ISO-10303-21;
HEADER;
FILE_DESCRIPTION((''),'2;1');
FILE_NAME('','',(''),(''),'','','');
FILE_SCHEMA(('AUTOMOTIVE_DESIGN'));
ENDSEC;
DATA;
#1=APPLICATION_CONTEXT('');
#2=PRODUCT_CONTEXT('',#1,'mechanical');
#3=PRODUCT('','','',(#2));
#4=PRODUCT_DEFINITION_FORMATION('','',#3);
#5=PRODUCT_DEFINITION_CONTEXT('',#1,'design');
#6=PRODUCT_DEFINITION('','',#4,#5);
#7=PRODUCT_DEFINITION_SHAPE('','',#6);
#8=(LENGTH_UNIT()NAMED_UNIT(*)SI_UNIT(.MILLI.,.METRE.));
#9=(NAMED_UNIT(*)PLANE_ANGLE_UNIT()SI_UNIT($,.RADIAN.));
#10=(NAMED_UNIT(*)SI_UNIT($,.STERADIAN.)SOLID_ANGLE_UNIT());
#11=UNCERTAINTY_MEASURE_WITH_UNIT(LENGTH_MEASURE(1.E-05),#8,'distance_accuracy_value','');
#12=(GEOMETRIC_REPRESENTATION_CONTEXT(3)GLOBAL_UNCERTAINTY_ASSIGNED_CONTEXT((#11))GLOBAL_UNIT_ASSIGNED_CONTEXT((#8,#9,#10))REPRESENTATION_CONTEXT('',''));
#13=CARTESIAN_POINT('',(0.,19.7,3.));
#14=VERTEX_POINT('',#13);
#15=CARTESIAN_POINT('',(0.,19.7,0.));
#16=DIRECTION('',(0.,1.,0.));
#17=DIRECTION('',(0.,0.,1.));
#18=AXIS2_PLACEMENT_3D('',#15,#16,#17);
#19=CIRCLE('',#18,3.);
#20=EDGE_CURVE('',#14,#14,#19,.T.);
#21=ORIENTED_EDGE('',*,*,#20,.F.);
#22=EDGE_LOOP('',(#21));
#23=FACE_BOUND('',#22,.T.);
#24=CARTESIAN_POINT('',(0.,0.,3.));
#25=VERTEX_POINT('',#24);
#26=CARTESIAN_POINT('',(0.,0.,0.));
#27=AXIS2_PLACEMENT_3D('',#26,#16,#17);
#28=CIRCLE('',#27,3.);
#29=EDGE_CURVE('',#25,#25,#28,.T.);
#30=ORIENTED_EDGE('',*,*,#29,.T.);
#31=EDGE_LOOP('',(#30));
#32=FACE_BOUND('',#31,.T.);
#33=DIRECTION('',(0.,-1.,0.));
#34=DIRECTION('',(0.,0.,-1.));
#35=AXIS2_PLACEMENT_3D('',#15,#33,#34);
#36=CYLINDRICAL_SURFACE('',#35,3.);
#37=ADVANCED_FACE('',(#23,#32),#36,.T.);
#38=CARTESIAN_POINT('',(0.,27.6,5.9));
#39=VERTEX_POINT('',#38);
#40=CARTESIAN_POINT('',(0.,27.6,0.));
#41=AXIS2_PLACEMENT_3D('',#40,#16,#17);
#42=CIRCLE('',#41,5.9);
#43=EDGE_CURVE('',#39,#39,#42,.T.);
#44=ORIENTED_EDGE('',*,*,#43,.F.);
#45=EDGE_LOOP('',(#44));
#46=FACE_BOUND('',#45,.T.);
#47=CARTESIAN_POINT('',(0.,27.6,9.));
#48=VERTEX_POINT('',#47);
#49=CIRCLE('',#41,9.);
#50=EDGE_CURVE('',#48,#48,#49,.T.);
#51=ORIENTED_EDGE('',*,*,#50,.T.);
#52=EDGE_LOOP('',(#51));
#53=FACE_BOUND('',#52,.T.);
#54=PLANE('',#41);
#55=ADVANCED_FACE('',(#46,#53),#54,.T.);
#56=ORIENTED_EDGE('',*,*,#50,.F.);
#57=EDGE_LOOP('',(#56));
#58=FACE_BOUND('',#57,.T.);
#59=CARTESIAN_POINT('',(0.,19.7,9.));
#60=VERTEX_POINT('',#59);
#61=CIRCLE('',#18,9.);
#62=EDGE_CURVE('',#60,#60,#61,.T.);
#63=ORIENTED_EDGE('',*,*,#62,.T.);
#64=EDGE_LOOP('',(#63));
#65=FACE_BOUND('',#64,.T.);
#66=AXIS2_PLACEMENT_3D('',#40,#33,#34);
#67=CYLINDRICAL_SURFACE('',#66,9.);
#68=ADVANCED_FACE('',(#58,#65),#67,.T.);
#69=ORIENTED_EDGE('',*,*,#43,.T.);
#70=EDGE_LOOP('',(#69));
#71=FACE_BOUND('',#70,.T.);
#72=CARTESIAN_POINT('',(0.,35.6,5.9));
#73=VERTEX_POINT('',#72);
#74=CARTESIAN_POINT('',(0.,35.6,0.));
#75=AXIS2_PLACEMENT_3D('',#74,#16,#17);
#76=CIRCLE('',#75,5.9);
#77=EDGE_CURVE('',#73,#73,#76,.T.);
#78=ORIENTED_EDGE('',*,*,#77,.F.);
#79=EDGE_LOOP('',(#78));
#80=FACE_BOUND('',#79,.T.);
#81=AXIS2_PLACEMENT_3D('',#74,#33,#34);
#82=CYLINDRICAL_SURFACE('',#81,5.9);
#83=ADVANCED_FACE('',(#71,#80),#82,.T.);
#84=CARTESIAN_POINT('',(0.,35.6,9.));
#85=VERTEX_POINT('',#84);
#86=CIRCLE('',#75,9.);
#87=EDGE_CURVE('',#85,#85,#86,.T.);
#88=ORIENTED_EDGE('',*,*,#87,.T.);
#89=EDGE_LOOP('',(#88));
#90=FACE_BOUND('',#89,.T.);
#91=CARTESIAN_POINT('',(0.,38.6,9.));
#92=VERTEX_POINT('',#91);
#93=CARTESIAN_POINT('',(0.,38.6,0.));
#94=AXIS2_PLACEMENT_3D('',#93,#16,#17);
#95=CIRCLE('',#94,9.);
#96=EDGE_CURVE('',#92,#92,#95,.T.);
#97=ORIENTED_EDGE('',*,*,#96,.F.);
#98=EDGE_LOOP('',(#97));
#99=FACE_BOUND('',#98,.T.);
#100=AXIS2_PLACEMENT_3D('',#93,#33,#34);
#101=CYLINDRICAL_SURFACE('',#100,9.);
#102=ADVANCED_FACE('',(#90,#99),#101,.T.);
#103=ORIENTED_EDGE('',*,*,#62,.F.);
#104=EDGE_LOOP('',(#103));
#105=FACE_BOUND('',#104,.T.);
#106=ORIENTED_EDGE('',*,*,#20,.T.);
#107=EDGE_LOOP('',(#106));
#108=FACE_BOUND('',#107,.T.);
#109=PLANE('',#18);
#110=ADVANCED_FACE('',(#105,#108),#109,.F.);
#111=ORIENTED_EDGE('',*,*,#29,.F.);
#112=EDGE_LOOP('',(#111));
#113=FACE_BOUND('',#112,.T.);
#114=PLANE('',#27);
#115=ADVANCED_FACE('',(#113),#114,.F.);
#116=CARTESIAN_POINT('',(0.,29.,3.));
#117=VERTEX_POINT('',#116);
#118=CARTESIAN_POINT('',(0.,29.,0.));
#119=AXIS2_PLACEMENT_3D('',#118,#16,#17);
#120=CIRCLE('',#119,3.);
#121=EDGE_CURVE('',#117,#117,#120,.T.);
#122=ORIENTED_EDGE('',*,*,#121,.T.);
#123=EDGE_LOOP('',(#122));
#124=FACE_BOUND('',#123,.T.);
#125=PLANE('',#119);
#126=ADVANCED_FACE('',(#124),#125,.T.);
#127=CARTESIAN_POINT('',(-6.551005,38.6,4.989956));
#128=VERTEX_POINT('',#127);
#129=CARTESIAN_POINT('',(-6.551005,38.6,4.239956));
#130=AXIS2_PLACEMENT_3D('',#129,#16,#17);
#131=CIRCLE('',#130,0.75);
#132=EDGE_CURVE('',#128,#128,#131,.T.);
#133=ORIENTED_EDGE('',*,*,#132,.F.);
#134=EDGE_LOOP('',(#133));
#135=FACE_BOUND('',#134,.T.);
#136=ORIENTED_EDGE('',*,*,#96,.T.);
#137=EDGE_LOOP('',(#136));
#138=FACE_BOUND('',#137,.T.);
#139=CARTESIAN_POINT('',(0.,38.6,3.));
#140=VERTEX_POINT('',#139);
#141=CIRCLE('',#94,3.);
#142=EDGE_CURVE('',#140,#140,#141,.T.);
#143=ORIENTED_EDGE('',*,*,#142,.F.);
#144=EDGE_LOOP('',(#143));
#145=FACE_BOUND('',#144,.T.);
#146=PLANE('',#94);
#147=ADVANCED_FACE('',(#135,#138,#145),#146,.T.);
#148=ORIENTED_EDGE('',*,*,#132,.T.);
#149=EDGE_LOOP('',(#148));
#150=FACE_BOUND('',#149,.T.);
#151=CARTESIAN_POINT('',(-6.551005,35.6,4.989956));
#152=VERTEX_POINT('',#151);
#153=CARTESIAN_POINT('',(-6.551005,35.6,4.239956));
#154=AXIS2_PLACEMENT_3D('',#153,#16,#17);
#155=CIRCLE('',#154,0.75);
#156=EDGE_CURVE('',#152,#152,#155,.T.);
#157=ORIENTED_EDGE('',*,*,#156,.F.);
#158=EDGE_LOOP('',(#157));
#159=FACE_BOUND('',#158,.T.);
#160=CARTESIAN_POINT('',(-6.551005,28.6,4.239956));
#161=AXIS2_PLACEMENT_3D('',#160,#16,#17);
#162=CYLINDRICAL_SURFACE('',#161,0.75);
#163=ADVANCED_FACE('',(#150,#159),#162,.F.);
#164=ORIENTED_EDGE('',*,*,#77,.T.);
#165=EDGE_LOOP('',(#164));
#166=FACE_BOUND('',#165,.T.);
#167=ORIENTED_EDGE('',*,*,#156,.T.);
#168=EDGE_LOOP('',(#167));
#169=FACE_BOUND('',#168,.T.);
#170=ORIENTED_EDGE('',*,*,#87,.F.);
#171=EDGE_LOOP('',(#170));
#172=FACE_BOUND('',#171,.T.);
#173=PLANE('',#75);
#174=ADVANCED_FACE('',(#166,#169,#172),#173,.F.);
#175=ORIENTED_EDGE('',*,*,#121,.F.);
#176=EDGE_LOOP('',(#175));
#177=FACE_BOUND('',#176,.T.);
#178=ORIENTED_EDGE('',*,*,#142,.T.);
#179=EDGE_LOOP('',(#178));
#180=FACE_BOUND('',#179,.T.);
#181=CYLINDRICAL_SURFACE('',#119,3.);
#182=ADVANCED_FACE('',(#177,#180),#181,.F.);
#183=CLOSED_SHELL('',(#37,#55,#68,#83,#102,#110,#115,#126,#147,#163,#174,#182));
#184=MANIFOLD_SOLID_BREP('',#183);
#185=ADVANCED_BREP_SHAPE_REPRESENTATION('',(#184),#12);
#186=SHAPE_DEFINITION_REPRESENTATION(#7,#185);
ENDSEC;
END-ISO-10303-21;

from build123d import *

# Parameters (mm, degrees)
SKETCH1_R           = 3
BOSS_EXTRUDE1_DEPTH = 19.7
SKETCH2_R           = 9
BOSS_EXTRUDE2_DEPTH = 7.9
SKETCH3_R           = 5.9
BOSS_EXTRUDE3_DEPTH = 8
SKETCH4_R           = 9
BOSS_EXTRUDE4_DEPTH = 3
SKETCH5_R           = 3
CUT_EXTRUDE1_DEPTH  = 9.6
SKETCH7_R           = 0.75
CUT_EXTRUDE2_DEPTH  = 10


with BuildPart() as part:
    # Sketch1 → Boss-Extrude1 (new body)
    with BuildSketch(Plane(origin=(0, 0, 0), x_dir=(1, 0, 0), z_dir=(0, 1, 0))):
        Circle(SKETCH1_R)
    extrude(amount=BOSS_EXTRUDE1_DEPTH)

    # Sketch2 → Boss-Extrude2 (add)
    with BuildSketch(Plane(origin=(0, 19.7, 0), x_dir=(1, 0, 0), z_dir=(0, 1, 0))):
        Circle(SKETCH2_R)
    extrude(amount=BOSS_EXTRUDE2_DEPTH)

    # Sketch3 → Boss-Extrude3 (add)
    with BuildSketch(Plane(origin=(0, 27.6, 0), x_dir=(1, 0, 0), z_dir=(0, 1, 0))):
        Circle(SKETCH3_R)
    extrude(amount=BOSS_EXTRUDE3_DEPTH)

    # Sketch4 → Boss-Extrude4 (add)
    with BuildSketch(Plane(origin=(0, 35.6, 0), x_dir=(1, 0, 0), z_dir=(0, 1, 0))):
        Circle(SKETCH4_R)
    extrude(amount=BOSS_EXTRUDE4_DEPTH)

    # Sketch5 → Cut-Extrude1 (cut)
    with BuildSketch(Plane(origin=(0, 38.6, 0), x_dir=(1, 0, 0), z_dir=(0, 1, 0))):
        Circle(SKETCH5_R)
    extrude(amount=-CUT_EXTRUDE1_DEPTH, mode=Mode.SUBTRACT)

    # Sketch7 → Cut-Extrude2 (cut)
    with BuildSketch(Plane(origin=(0, 38.6, 0), x_dir=(1, 0, 0), z_dir=(0, 1, 0))):
        with Locations((-6.55100535, -4.239956241)):
            Circle(SKETCH7_R)
    extrude(amount=-CUT_EXTRUDE2_DEPTH, mode=Mode.SUBTRACT)


solid = part.part
